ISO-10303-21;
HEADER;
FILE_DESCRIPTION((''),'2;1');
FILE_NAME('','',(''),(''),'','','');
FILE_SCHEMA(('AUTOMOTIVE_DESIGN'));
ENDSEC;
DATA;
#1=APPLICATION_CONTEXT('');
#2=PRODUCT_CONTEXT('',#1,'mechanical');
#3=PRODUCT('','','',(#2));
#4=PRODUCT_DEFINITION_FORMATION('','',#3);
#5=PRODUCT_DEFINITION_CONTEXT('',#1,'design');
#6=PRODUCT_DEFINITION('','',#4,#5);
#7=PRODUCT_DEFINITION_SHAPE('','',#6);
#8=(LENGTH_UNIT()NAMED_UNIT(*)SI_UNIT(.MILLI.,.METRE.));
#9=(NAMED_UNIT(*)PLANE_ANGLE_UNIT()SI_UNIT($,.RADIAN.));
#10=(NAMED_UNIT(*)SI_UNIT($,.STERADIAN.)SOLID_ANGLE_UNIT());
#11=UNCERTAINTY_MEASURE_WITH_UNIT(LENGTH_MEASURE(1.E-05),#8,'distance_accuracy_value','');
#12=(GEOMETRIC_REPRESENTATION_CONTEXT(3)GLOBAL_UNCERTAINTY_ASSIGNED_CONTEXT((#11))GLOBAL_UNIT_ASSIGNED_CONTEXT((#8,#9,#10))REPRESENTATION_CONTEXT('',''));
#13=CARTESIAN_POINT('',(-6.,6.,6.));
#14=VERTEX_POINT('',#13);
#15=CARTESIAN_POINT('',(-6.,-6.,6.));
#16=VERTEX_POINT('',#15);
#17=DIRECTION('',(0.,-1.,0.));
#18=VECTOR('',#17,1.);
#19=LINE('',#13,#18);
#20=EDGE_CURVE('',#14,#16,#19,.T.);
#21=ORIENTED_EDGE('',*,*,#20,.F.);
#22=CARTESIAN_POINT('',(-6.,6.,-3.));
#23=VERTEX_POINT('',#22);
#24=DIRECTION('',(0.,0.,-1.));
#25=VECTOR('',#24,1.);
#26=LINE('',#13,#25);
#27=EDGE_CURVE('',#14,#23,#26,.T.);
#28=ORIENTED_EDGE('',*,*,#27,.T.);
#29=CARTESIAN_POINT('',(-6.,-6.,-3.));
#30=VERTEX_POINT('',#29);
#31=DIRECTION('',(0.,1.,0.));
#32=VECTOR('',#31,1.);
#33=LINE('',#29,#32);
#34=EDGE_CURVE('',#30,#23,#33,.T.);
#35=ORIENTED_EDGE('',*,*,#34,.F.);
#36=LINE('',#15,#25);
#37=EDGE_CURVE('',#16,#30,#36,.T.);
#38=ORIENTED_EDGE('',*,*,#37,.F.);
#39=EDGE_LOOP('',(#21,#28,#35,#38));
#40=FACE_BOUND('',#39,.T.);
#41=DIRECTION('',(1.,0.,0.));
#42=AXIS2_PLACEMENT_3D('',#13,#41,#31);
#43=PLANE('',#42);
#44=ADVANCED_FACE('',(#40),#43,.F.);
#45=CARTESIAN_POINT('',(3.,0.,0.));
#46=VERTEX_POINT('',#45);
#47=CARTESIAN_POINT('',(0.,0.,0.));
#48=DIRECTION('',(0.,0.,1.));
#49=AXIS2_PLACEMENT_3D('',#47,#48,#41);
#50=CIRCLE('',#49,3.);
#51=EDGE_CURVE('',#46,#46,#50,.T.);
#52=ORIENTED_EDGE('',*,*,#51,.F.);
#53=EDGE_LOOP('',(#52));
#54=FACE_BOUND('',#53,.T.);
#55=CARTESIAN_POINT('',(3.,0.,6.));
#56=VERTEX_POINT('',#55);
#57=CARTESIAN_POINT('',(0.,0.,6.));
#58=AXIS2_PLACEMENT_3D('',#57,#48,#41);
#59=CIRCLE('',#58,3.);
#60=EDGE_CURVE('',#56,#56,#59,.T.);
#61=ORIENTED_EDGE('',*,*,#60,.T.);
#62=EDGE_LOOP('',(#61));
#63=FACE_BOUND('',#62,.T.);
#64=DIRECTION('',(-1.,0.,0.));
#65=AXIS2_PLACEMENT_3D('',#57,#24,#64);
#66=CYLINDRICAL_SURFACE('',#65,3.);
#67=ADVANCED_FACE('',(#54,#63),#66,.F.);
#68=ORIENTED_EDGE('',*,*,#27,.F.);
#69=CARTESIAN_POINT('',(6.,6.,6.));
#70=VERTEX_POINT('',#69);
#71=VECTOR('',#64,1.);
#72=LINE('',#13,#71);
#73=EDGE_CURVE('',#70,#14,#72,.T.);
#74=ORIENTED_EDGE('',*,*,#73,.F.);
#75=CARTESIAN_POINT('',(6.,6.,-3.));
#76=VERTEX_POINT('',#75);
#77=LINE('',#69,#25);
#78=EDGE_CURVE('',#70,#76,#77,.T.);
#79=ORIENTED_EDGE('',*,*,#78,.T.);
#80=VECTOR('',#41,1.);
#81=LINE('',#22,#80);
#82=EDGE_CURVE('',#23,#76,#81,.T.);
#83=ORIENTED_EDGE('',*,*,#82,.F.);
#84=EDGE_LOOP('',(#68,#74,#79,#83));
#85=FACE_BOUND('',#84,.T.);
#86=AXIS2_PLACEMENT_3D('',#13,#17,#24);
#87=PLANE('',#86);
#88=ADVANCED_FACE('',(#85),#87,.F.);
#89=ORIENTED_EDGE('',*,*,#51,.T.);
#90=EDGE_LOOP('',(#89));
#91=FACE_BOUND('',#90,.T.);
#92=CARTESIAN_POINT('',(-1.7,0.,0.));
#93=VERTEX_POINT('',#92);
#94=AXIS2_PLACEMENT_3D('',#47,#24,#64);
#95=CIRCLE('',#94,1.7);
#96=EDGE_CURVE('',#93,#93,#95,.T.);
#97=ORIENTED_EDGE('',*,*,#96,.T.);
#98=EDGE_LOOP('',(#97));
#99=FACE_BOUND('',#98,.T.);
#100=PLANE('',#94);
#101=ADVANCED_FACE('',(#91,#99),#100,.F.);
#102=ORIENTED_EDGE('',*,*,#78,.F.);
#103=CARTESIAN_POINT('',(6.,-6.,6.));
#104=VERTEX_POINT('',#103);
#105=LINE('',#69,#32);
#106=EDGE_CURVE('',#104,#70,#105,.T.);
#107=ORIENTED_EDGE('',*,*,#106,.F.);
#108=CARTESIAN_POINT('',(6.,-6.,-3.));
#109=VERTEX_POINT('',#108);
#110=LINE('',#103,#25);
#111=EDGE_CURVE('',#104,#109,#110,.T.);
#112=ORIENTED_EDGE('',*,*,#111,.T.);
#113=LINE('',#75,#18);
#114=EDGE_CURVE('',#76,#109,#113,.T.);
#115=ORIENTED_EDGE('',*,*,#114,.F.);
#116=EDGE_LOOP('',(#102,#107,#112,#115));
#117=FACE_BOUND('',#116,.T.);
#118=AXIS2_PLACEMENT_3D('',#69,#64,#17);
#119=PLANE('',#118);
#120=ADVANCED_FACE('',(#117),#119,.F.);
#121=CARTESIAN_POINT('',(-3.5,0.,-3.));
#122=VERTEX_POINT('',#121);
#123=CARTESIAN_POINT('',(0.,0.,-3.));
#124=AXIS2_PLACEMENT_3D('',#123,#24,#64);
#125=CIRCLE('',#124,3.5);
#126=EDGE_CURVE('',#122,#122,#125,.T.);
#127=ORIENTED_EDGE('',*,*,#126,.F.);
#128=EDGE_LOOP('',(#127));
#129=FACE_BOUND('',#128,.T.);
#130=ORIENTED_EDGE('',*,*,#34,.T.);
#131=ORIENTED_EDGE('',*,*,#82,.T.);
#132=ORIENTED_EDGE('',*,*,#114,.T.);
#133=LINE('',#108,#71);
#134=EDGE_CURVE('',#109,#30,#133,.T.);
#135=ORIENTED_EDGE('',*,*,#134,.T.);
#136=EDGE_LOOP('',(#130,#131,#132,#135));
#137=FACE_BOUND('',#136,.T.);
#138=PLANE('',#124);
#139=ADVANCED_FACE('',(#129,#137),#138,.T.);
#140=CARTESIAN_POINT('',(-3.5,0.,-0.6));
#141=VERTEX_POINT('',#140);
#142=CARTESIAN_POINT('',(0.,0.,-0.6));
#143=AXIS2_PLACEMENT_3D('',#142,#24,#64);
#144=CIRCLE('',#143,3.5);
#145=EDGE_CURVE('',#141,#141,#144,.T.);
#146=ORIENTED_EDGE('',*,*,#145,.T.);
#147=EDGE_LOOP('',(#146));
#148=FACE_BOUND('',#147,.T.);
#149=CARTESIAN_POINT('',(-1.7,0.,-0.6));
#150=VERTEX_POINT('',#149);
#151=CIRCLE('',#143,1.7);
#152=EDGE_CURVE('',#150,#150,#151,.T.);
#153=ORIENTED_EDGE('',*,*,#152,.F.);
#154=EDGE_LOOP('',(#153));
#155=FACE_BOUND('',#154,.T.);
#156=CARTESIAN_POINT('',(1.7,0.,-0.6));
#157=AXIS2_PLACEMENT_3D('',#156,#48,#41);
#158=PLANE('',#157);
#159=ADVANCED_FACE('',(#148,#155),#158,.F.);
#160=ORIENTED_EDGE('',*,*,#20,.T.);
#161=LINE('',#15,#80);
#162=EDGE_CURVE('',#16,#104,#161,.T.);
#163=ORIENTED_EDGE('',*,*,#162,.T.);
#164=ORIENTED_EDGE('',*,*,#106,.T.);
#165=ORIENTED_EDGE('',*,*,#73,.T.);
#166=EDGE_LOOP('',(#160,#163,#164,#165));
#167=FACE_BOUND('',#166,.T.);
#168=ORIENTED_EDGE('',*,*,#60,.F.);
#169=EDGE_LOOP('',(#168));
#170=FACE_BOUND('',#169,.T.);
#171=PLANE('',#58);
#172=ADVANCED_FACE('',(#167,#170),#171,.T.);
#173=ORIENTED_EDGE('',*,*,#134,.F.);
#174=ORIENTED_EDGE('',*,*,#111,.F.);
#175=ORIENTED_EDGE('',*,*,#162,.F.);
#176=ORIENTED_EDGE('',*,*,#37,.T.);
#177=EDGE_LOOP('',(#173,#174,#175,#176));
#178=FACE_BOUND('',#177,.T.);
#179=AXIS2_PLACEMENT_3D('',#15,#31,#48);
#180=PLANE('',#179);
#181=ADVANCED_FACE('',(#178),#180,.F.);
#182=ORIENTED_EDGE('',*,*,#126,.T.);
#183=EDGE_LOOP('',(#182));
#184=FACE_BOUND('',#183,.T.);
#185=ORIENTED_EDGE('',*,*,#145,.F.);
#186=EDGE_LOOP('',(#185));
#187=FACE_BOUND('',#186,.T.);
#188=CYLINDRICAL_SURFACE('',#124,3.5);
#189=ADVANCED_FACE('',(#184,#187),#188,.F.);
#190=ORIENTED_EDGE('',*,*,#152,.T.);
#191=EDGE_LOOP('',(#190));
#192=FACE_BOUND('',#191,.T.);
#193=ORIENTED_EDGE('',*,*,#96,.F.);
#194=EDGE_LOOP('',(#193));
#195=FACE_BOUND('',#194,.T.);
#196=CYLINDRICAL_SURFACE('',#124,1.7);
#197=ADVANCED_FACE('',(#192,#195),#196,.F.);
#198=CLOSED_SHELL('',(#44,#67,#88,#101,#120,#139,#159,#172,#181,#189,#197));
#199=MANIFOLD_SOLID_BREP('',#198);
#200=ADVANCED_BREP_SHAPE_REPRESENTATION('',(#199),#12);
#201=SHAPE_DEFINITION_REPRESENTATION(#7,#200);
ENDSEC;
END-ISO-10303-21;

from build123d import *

# Parameters (mm, degrees)
ESQUISSE1_W                                        = 12
ESQUISSE1_H                                        = 12
ESQUISSE1_R                                        = 3
BOSS_EXTRU_1_DEPTH                                 = 6
ESQUISSE2_W                                        = 12
ESQUISSE2_H                                        = 12
BOSS_EXTRU_2_DEPTH                                 = 3
CHAMBRAGE_POUR_VIS_T_TE_RONDE_BOMB_E_M_D           = 3.4
CHAMBRAGE_POUR_VIS_T_TE_RONDE_BOMB_E_M_DEPTH       = 6.35
CHAMBRAGE_POUR_VIS_T_TE_RONDE_BOMB_E_M_CBORE_D     = 7
CHAMBRAGE_POUR_VIS_T_TE_RONDE_BOMB_E_M_CBORE_DEPTH = 2.4


with BuildPart() as part:
    # Esquisse1 → Boss.-Extru.1 (new body)
    with BuildSketch(Plane.XY):
        Rectangle(ESQUISSE1_W, ESQUISSE1_H)
        Circle(ESQUISSE1_R, mode=Mode.SUBTRACT)
    extrude(amount=BOSS_EXTRU_1_DEPTH)

    # Esquisse2 → Boss.-Extru.2 (add)
    with BuildSketch(Plane(origin=(0, 0, 0), x_dir=(-1, 0, 0), z_dir=(0, 0, -1))):
        Rectangle(ESQUISSE2_W, ESQUISSE2_H)
    extrude(amount=BOSS_EXTRU_2_DEPTH)

    # Chambrage pour vis à tête ronde bombée M31
    with Locations(Plane(origin=(0, 0, -3), x_dir=(-1, 0, 0), z_dir=(0, 0, -1))):
        with Locations((0, 0)):
            CounterBoreHole(CHAMBRAGE_POUR_VIS_T_TE_RONDE_BOMB_E_M_D / 2, CHAMBRAGE_POUR_VIS_T_TE_RONDE_BOMB_E_M_CBORE_D / 2, CHAMBRAGE_POUR_VIS_T_TE_RONDE_BOMB_E_M_CBORE_DEPTH, depth=CHAMBRAGE_POUR_VIS_T_TE_RONDE_BOMB_E_M_DEPTH)


solid = part.part
